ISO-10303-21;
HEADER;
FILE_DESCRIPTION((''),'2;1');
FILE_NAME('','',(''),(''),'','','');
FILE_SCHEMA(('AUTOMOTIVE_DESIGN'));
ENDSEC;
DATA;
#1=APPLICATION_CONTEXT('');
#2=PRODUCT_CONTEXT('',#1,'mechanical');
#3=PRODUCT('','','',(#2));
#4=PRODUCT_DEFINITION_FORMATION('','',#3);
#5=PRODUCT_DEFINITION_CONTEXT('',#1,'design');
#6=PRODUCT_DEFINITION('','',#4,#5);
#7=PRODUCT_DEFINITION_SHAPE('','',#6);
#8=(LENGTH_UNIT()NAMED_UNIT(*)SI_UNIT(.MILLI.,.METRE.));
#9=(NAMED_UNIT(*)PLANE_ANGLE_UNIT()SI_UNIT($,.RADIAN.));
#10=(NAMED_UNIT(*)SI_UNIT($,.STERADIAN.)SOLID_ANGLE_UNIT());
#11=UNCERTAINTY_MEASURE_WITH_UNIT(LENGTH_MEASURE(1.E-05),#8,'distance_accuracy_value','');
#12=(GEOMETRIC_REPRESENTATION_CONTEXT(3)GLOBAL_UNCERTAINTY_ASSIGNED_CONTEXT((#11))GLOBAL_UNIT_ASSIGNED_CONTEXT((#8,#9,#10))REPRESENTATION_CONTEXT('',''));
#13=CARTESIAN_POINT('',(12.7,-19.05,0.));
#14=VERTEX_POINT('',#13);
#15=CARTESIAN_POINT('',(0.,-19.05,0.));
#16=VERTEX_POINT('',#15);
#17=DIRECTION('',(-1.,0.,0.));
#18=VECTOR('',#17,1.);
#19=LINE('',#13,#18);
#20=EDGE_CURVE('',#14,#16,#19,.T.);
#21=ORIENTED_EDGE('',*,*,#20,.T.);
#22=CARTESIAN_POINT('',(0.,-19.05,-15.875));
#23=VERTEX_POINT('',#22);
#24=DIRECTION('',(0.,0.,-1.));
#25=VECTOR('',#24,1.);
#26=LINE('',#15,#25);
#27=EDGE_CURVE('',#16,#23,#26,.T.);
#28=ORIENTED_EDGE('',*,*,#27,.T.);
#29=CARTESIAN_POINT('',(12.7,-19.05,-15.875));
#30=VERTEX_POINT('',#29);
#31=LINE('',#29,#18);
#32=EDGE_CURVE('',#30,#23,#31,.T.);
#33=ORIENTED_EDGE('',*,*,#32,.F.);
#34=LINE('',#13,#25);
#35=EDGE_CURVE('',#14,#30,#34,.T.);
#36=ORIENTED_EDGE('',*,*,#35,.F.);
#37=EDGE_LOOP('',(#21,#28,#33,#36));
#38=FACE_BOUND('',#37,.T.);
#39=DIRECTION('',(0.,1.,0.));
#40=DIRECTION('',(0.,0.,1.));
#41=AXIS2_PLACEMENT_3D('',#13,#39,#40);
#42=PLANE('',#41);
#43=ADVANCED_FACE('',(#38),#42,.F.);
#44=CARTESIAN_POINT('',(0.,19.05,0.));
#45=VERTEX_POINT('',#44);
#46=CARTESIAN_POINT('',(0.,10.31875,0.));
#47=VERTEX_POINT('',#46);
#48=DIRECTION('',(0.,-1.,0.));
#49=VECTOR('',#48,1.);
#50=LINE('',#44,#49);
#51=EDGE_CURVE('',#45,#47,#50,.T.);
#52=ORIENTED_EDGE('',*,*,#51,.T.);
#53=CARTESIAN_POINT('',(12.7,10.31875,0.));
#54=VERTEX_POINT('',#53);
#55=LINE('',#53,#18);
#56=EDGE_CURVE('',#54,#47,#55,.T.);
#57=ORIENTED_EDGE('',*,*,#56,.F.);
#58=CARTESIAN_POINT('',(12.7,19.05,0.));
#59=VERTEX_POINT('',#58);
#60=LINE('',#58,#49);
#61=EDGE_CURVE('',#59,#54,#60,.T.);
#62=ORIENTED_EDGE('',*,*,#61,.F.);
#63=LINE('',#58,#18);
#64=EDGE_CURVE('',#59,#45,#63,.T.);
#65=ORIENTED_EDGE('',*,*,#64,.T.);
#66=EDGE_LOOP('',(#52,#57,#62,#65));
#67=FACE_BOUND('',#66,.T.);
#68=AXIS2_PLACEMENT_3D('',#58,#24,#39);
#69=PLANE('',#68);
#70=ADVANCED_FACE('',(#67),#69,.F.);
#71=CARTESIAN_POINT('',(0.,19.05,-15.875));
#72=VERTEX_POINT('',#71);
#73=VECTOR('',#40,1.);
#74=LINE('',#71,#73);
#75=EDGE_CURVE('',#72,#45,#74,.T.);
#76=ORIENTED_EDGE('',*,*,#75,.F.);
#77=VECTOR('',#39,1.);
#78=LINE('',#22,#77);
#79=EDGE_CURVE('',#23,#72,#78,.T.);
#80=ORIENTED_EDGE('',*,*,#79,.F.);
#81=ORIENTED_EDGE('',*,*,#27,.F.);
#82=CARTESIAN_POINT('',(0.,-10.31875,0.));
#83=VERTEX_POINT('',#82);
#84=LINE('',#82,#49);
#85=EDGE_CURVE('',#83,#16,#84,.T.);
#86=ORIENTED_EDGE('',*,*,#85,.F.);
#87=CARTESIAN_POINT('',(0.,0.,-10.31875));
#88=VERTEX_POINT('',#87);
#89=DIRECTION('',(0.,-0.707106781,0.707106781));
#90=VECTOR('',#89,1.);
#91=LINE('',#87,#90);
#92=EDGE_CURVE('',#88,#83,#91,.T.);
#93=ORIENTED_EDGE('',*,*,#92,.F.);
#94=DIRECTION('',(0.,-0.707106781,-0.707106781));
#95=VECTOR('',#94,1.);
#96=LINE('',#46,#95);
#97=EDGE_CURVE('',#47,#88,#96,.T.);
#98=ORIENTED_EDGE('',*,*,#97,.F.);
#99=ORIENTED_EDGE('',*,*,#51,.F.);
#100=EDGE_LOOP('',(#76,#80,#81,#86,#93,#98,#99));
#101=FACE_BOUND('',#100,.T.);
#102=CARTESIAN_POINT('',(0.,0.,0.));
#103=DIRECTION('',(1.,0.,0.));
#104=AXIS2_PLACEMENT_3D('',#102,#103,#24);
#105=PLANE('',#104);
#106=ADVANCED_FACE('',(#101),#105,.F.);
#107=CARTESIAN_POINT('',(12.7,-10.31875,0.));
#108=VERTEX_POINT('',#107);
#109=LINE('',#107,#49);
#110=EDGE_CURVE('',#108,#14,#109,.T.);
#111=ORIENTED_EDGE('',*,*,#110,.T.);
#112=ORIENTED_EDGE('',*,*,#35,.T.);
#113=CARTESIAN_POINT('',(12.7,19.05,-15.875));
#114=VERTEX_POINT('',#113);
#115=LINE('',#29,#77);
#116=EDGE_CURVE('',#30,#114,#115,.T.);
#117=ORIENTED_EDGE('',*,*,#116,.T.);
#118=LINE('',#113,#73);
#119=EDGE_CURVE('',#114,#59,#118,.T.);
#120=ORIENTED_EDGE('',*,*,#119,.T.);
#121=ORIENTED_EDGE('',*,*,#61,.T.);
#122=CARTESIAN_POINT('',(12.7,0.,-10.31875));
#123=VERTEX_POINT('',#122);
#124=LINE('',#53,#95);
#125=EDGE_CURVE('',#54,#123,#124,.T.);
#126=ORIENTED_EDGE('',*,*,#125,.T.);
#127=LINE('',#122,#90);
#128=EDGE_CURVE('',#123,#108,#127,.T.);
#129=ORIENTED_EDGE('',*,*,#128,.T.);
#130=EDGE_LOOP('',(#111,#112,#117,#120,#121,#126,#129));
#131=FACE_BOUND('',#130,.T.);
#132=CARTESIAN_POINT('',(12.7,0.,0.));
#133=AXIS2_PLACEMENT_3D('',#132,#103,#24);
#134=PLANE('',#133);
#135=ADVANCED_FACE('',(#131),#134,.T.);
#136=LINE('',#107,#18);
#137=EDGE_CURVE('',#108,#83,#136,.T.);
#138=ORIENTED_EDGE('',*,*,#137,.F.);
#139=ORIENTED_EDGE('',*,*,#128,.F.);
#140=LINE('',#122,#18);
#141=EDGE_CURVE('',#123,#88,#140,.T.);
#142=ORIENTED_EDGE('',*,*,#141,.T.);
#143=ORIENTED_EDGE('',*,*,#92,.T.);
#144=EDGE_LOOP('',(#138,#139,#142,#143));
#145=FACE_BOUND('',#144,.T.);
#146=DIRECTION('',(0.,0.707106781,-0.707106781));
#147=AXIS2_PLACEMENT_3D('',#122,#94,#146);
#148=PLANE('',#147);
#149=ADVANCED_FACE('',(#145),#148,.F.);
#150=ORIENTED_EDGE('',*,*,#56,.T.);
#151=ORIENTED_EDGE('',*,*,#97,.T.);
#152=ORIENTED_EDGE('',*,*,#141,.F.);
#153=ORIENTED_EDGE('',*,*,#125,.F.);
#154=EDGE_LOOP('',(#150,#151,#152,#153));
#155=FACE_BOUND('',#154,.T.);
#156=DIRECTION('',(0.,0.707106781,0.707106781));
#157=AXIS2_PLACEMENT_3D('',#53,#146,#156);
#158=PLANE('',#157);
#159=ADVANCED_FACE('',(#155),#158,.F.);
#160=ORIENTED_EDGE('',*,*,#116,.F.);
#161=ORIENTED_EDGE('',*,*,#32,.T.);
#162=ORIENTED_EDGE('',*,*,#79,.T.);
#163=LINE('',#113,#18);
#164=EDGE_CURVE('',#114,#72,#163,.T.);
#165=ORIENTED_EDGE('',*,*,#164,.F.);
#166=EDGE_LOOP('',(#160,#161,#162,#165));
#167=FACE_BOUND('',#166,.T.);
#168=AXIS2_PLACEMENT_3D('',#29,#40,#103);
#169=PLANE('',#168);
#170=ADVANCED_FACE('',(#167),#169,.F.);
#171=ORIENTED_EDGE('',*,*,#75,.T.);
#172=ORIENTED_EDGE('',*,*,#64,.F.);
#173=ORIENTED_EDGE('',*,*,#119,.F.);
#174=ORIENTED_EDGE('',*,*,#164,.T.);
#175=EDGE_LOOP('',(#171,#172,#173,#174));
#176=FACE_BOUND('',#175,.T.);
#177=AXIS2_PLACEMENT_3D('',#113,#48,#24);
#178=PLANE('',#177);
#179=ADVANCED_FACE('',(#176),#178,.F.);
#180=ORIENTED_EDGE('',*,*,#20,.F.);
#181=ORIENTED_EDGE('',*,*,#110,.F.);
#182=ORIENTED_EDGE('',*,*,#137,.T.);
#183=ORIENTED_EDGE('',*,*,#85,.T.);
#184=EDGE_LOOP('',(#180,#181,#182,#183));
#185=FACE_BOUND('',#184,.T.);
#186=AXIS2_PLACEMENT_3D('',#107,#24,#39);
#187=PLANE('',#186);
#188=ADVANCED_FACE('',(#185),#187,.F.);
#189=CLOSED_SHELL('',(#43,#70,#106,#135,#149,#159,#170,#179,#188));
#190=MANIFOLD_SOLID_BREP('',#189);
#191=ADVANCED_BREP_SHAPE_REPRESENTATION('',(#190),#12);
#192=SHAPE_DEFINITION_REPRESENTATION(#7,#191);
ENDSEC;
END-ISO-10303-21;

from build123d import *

# Parameters (mm, degrees)
BOSS_EXTRUDE1_DEPTH = 12.7


with BuildPart() as part:
    # Sketch1 → Boss-Extrude1 (new body)
    with BuildSketch(Plane(origin=(0, 0, 0), x_dir=(0, 0, -1), z_dir=(1, 0, 0))):
        Polygon((0, 10.31875), (10.31875, 0), (0, -10.31875), (0, -19.05), (15.875, -19.05), (15.875, 19.05), (0, 19.05), align=None)
    extrude(amount=BOSS_EXTRUDE1_DEPTH)


solid = part.part
